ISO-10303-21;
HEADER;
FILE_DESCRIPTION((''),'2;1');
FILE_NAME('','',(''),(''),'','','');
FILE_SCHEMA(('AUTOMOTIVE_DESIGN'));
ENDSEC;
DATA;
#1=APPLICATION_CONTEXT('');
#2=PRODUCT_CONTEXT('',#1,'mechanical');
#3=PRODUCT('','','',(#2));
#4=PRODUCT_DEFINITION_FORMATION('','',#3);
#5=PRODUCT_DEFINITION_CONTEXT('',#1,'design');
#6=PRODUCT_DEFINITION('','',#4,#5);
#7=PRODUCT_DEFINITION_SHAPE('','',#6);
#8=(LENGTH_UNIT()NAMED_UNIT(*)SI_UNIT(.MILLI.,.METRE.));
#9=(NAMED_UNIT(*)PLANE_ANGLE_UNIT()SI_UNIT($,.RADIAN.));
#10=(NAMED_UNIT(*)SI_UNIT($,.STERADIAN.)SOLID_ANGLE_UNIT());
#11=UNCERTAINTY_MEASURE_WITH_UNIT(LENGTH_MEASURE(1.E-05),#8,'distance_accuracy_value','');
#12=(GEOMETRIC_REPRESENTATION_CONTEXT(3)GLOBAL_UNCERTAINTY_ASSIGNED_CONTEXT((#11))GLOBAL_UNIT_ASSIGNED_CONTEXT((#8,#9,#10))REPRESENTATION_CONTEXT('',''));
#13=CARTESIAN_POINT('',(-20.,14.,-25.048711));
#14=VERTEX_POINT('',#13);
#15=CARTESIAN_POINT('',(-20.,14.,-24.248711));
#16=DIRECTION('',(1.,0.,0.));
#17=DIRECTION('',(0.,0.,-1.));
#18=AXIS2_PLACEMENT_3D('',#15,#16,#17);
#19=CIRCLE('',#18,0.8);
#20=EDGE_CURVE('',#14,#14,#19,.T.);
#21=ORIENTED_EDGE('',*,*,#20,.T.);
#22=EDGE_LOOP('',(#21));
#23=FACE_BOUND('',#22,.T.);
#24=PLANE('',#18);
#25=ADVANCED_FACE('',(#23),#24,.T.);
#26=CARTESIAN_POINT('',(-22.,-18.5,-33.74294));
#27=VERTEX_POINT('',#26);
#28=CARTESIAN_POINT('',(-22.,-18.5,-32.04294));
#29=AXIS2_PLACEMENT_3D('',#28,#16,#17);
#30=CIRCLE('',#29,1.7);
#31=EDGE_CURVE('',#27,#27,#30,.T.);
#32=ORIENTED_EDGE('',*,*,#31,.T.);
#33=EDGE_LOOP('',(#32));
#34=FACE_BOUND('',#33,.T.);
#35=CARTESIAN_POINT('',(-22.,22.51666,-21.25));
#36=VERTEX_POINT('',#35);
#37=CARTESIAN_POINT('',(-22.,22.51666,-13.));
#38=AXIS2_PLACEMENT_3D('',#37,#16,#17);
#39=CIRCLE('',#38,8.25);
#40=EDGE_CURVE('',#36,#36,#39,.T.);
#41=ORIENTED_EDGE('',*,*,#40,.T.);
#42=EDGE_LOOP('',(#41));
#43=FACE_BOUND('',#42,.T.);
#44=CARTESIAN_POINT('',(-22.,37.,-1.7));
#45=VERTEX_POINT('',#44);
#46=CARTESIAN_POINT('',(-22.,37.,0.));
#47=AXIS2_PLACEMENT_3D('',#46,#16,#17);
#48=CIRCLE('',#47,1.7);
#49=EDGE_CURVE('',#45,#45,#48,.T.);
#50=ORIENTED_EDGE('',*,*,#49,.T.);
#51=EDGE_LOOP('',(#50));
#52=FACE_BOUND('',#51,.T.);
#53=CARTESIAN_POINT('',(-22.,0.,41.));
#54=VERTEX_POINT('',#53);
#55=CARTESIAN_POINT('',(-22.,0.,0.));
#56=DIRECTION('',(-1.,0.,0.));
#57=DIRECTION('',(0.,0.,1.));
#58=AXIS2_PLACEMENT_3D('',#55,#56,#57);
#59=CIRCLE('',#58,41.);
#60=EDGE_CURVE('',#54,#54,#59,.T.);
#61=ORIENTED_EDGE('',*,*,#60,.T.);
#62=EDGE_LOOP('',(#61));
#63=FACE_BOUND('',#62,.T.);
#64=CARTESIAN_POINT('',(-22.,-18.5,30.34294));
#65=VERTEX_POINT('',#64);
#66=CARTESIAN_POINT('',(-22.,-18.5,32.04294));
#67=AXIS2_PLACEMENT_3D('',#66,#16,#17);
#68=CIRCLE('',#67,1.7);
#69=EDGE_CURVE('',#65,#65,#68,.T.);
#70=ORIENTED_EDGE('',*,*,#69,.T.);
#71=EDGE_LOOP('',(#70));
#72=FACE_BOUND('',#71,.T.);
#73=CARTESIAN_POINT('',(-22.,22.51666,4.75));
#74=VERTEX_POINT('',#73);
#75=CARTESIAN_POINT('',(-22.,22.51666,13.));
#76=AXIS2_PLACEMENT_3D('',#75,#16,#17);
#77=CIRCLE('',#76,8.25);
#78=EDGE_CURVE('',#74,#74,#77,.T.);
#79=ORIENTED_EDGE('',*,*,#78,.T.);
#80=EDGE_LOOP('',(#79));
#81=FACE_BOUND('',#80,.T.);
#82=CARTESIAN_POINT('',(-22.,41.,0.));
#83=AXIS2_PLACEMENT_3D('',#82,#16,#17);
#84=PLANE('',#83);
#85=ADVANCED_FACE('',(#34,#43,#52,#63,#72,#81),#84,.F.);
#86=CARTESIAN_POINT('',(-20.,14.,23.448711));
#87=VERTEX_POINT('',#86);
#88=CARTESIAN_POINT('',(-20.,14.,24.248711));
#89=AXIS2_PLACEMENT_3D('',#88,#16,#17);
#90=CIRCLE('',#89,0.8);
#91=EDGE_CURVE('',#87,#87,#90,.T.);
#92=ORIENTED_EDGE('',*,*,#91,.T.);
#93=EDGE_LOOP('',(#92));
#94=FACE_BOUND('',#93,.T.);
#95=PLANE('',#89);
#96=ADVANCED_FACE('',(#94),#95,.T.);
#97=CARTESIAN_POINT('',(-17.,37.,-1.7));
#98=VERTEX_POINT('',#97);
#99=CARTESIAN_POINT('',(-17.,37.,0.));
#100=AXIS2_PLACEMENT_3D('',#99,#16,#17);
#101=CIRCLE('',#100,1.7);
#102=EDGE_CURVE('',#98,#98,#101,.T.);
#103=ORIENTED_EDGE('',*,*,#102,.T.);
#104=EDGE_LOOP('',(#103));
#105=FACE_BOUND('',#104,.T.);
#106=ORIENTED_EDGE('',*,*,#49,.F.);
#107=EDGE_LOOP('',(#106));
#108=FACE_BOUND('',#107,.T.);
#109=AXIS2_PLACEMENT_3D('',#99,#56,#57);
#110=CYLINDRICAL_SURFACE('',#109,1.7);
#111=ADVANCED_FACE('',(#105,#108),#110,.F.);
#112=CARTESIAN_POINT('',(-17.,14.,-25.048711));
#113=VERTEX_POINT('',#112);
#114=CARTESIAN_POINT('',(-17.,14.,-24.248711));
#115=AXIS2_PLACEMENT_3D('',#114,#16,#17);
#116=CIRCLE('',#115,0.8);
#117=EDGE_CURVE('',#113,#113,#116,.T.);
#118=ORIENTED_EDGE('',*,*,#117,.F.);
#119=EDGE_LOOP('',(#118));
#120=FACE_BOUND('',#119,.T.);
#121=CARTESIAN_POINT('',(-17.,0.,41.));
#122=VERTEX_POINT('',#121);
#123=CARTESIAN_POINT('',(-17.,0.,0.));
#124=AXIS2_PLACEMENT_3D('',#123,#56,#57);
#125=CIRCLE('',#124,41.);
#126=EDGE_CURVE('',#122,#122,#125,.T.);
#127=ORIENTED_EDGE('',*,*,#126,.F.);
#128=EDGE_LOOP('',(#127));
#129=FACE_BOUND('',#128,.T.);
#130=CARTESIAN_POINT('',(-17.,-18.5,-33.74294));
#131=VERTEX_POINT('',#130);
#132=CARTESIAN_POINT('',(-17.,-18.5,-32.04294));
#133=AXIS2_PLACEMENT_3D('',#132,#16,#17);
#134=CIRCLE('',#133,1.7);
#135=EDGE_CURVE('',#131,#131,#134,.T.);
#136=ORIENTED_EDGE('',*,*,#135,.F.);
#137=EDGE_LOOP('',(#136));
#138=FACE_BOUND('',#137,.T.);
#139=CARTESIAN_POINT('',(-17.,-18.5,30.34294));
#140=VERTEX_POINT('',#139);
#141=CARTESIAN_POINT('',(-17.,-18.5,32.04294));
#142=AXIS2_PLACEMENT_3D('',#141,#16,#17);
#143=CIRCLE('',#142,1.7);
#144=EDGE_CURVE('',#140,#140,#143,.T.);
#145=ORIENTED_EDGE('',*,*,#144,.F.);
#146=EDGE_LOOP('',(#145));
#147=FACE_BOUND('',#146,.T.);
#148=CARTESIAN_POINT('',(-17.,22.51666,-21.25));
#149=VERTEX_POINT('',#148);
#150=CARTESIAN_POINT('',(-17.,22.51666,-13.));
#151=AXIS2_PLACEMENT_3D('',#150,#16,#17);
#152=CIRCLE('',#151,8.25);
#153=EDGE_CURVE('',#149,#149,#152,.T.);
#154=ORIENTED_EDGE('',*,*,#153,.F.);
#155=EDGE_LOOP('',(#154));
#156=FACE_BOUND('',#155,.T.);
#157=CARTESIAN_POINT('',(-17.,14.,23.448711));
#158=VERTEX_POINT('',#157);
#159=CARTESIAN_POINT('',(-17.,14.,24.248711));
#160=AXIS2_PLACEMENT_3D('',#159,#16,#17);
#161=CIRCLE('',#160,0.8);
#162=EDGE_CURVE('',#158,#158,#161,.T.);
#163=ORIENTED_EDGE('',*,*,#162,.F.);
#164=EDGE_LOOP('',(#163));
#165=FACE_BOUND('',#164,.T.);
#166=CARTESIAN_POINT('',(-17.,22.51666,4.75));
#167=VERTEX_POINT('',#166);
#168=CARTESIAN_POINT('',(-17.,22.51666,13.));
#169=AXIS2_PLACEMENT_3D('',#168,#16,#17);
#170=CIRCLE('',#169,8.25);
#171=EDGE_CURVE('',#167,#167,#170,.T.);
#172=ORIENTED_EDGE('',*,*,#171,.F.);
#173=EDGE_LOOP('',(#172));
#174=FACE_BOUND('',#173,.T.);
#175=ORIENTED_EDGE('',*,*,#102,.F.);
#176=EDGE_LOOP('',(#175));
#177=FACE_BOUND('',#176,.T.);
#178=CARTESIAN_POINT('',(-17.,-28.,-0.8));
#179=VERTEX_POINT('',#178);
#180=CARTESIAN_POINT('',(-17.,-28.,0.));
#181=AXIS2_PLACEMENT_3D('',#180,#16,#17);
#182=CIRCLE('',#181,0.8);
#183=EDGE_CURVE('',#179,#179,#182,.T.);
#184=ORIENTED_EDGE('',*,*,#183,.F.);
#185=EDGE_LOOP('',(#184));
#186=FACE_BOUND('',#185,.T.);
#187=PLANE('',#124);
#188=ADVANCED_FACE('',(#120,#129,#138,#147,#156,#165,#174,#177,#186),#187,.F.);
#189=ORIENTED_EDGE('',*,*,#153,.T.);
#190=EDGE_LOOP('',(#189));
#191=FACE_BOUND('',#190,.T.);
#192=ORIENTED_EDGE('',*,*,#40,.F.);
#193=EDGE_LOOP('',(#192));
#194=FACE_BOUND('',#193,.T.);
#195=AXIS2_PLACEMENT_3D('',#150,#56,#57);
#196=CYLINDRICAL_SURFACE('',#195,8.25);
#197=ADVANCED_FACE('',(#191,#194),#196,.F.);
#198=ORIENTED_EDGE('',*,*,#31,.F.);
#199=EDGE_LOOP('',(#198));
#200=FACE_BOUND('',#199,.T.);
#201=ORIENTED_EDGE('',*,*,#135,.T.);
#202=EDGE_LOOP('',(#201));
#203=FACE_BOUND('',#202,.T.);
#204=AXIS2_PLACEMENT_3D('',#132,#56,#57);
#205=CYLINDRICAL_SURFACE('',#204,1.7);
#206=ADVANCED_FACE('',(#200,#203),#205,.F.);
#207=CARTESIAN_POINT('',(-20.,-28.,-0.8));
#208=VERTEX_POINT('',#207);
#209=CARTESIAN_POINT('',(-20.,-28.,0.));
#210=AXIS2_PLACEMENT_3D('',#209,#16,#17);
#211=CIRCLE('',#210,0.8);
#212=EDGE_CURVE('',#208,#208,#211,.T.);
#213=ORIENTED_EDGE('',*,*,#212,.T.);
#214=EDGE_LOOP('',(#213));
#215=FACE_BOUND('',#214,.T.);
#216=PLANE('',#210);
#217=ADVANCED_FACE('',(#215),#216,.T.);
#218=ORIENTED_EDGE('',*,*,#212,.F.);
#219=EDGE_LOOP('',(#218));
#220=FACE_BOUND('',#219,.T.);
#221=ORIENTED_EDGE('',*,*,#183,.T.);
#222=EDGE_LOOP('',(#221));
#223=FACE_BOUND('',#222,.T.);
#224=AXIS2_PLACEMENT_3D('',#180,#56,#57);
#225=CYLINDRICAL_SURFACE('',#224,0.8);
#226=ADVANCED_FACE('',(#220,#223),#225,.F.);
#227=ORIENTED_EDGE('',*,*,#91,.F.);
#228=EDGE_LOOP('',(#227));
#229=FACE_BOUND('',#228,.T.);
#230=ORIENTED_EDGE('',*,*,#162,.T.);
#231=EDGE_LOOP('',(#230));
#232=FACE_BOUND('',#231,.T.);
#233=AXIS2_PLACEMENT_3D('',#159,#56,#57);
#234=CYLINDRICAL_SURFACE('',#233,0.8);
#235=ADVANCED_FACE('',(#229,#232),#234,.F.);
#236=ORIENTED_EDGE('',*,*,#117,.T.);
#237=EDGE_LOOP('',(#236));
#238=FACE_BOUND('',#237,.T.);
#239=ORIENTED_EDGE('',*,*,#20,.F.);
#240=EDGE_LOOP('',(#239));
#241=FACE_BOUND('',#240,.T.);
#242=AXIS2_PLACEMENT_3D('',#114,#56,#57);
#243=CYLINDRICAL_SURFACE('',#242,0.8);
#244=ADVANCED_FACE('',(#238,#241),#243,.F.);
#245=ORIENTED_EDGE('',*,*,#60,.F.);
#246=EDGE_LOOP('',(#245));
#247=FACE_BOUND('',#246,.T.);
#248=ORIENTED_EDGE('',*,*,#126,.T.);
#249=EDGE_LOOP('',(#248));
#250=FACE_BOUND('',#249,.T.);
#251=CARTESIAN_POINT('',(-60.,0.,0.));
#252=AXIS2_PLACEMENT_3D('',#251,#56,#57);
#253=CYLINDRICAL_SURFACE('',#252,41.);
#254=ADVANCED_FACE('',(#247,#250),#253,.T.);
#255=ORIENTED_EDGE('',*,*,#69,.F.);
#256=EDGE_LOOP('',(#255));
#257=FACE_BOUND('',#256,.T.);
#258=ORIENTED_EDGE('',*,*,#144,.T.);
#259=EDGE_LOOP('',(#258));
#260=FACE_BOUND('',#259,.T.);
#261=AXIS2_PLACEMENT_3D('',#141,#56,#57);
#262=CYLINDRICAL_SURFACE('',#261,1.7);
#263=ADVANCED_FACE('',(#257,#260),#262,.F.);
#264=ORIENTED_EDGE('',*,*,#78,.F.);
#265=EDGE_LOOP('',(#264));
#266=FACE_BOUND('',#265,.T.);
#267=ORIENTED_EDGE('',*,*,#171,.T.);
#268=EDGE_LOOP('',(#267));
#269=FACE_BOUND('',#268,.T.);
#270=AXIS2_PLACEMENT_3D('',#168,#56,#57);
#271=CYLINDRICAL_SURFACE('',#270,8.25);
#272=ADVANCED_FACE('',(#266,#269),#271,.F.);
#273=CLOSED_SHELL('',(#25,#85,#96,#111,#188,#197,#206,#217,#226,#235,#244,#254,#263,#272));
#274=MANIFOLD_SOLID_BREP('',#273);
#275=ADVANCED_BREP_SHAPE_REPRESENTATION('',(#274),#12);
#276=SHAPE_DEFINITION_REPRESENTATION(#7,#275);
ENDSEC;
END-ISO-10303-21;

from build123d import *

# Parameters (mm, degrees)
AXIAL_BLANK_PROFILE_W                          = 5
AXIAL_BLANK_PROFILE_H                          = 41
TWO_START                                      = -22
TWO_FITTING_ROUTE_CLEARANCE_BORES_DI_2_R       = 8.25
TWO_FITTING_ROUTE_CLEARANCE_BORES_DIAMET_DEPTH = 5
THREE_START                                    = -22
THREE_LONG_MOUNTING_SCREW_CLEARANCES_SKE_R     = 1.7
THREE_LONG_MOUNTING_SCREW_CLEARANCES_DEPTH     = 5
THREE_START_2                                  = -20
THREE_M2_LOCATOR_RECEIVING_PILOTS_DE_2_R       = 0.8
THREE_M2_LOCATOR_RECEIVING_PILOTS_DEPTH3_DEPTH = 3


with BuildPart() as part:
    # Axial blank profile → Native revolved blank (revolve)
    with BuildSketch(Plane.XY, mode=Mode.PRIVATE) as native_revolved_blank_sk:
        with Locations((-19.5, 20.5)):
            Rectangle(AXIAL_BLANK_PROFILE_W, AXIAL_BLANK_PROFILE_H)
    revolve(native_revolved_blank_sk.sketch.rotate(Axis((-60, 0, 0), (1, 0, 0)), 90), axis=Axis((-60, 0, 0), (1, 0, 0)))

    # Two fitting-route clearance bores di 2 → Two fitting-route clearance bores diamet (cut)
    with BuildSketch(Plane(origin=(0, 0, 0), x_dir=(0, 0, -1), z_dir=(1, 0, 0)).offset(TWO_START)):
        with Locations((-13, 22.516660498)):
            Circle(TWO_FITTING_ROUTE_CLEARANCE_BORES_DI_2_R)
        with Locations((13, 22.516660498)):
            Circle(TWO_FITTING_ROUTE_CLEARANCE_BORES_DI_2_R)
    extrude(amount=TWO_FITTING_ROUTE_CLEARANCE_BORES_DIAMET_DEPTH, mode=Mode.SUBTRACT)

    # Three long mounting screw clearances sketch → Three long mounting screw clearances (cut)
    with BuildSketch(Plane(origin=(0, 0, 0), x_dir=(0, 0, -1), z_dir=(1, 0, 0)).offset(THREE_START)):
        with Locations((0, 37)):
            Circle(THREE_LONG_MOUNTING_SCREW_CLEARANCES_SKE_R)
        with Locations((-32.04293994, -18.5)):
            Circle(THREE_LONG_MOUNTING_SCREW_CLEARANCES_SKE_R)
        with Locations((32.04293994, -18.5)):
            Circle(THREE_LONG_MOUNTING_SCREW_CLEARANCES_SKE_R)
    extrude(amount=THREE_LONG_MOUNTING_SCREW_CLEARANCES_DEPTH, mode=Mode.SUBTRACT)

    # Three M2 locator receiving pilots de 2 → Three M2 locator receiving pilots depth3 (cut)
    with BuildSketch(Plane(origin=(0, 0, 0), x_dir=(0, 0, -1), z_dir=(1, 0, 0)).offset(THREE_START_2)):
        with Locations((-24.248711306, 14)):
            Circle(THREE_M2_LOCATOR_RECEIVING_PILOTS_DE_2_R)
        with Locations((0, -28)):
            Circle(THREE_M2_LOCATOR_RECEIVING_PILOTS_DE_2_R)
        with Locations((24.248711306, 14)):
            Circle(THREE_M2_LOCATOR_RECEIVING_PILOTS_DE_2_R)
    extrude(amount=THREE_M2_LOCATOR_RECEIVING_PILOTS_DEPTH3_DEPTH, mode=Mode.SUBTRACT)


solid = part.part
